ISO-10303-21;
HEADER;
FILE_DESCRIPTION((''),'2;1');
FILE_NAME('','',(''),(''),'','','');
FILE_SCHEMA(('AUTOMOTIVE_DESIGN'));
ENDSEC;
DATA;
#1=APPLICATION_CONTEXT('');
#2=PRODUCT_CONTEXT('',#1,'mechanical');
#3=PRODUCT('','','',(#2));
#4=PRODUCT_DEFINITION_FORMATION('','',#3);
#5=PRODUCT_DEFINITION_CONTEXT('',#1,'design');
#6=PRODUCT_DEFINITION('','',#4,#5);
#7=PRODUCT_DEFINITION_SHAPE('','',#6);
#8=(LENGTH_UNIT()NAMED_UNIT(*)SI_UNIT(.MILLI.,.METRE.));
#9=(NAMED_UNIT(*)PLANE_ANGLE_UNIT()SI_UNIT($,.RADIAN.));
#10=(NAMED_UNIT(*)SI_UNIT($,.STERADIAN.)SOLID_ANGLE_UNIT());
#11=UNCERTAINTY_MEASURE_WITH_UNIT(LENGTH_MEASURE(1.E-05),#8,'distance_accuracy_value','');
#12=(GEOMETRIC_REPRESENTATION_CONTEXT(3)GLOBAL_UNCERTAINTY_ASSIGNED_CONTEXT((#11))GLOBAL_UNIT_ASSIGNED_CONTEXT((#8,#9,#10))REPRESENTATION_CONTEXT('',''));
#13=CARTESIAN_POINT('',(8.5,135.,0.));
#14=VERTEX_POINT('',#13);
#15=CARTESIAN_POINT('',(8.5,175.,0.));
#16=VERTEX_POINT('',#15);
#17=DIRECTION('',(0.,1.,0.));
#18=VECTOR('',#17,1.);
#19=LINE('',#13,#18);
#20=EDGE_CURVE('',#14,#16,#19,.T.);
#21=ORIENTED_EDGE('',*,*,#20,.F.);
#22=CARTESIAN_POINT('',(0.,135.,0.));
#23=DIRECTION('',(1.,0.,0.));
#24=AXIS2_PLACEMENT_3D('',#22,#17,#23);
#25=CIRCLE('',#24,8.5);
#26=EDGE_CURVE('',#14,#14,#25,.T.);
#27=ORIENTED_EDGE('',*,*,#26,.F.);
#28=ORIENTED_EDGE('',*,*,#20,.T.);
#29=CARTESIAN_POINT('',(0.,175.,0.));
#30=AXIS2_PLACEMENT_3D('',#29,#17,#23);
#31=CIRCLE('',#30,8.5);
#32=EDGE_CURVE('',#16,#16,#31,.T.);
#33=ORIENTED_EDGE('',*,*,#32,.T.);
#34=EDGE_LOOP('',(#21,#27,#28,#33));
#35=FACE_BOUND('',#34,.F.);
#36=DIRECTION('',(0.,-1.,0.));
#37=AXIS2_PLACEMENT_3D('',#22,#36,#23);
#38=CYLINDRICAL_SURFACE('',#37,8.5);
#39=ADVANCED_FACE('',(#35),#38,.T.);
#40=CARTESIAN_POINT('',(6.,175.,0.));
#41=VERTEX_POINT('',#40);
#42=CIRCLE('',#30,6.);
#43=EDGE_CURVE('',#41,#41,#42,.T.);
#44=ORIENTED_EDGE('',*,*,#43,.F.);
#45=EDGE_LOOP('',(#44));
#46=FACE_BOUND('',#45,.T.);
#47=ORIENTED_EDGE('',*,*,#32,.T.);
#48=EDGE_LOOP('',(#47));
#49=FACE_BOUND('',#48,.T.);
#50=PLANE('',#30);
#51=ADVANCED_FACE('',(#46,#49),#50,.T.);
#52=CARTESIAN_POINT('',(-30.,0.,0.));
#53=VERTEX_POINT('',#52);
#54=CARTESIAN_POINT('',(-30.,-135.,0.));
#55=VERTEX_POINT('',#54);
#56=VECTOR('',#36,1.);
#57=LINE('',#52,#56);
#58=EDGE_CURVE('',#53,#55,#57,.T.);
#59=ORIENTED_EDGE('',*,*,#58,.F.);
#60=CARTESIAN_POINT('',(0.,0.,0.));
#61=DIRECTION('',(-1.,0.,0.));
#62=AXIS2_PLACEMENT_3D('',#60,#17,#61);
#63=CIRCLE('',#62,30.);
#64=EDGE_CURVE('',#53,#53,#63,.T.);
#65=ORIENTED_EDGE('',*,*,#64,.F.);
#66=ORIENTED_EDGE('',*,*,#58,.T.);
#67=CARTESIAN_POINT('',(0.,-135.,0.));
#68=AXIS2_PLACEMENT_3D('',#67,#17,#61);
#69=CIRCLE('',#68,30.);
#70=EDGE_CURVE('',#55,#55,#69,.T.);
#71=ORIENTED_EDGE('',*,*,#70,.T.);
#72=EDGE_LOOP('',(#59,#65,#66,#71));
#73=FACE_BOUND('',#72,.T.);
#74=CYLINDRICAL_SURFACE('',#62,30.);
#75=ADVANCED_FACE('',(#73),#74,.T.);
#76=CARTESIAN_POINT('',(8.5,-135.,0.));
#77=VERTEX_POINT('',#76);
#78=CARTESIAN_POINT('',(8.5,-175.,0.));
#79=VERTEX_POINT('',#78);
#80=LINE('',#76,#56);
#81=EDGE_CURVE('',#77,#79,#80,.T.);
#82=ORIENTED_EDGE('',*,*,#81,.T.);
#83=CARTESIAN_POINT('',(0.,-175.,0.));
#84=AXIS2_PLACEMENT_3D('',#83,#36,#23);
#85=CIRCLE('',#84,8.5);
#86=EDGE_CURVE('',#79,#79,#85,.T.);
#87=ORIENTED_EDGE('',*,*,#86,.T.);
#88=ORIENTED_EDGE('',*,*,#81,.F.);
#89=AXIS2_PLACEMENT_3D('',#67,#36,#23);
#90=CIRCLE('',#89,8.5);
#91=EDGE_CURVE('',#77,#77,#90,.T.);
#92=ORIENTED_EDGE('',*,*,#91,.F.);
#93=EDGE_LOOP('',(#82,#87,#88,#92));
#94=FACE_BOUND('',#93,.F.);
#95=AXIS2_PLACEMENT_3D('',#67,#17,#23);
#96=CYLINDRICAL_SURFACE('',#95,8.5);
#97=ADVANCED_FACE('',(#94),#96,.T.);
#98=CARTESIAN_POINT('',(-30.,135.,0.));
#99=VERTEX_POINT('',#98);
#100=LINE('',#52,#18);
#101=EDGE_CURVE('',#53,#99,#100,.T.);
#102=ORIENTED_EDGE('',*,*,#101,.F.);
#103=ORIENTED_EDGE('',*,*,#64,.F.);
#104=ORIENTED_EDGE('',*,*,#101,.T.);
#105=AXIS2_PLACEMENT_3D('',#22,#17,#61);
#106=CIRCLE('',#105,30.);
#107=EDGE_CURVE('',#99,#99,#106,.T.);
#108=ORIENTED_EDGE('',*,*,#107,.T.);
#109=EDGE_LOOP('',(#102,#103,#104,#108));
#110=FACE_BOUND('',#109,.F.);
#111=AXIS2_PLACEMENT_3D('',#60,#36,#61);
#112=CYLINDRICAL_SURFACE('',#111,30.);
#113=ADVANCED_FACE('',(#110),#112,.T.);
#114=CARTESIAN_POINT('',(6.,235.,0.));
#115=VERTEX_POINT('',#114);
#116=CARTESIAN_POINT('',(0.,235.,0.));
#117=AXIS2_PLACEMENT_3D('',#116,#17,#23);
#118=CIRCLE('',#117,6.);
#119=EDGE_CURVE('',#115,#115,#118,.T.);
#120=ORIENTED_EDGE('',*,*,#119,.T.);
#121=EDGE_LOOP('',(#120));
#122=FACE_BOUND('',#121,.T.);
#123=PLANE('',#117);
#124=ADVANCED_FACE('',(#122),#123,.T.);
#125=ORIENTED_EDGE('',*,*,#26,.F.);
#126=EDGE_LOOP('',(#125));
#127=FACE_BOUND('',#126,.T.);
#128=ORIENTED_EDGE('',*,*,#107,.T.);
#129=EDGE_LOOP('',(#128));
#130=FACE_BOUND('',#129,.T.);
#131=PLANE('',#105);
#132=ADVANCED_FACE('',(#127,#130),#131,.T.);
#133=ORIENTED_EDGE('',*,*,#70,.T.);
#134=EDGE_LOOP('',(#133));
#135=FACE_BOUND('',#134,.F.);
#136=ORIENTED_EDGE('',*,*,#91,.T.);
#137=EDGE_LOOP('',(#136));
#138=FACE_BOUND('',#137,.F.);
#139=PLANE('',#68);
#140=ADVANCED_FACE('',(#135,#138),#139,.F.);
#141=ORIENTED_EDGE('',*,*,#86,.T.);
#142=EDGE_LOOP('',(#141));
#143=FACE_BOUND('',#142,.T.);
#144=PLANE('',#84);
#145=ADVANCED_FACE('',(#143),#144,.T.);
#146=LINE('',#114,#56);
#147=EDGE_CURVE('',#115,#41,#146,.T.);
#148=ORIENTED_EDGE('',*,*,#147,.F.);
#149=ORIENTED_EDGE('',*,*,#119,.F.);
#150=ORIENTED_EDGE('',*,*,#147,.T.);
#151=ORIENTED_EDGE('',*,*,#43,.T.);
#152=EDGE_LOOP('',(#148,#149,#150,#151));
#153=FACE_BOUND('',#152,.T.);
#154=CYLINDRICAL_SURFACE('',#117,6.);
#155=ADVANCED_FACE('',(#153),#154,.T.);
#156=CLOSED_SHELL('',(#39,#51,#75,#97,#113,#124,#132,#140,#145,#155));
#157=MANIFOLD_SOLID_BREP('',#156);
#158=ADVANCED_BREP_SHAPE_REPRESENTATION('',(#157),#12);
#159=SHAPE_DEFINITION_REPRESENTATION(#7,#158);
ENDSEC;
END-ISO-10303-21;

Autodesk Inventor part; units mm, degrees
ref_plane "YZ Plane" through (0, 0, 0) normal (1, 0, 0) x (0, 1, 0)
ref_plane "XZ Plane" through (0, 0, 0) normal (0, 1, 0) x (-1, 0, 0)
ref_plane "XY Plane" through (0, 0, 0) normal (0, 0, 1) x (1, 0, 0)
sketch "Sketch1" plane through (0, 0, 0) normal (0, 1, 0) x (-1, 0, 0)
  circle A0 centre (0, 0) radius 30
  dimension "d0" = 60
extrude "Extrusion1" add sketch "Sketch1" along normal mid plane 270
sketch "Sketch2" plane through (0, -135, 0) normal (0, -1, 0) x (1, 0, 0)
  circle A0 centre (0, 0) radius 8.5
  dimension "d3" = 17
extrude "Extrusion2" add sketch "Sketch2" along normal blind 40
sketch "Sketch3" plane through (0, 135, 0) normal (0, 1, 0) x (1, 0, 0)
  circle A0 centre (0, 0) radius 8.5 projected
  circle A1 centre (0, 0) radius 8.5
  dimension "d6" = 17
extrude "Extrusion3" add sketch "Sketch3" along normal blind 100
sketch "Sketch4" plane through (0, 235, 0) normal (0, 1, 0) x (1, 0, 0)
  circle A0 centre (0, 0) radius 8.5 projected
  circle A1 centre (0, 0) radius 6
  dimension "d9" = 12
extrude "Extrusion4" cut sketch "Sketch4" against normal blind 60
properties part number "HCMUTE-CDT23-TRUC_DAN" material "Stainless Steel"
